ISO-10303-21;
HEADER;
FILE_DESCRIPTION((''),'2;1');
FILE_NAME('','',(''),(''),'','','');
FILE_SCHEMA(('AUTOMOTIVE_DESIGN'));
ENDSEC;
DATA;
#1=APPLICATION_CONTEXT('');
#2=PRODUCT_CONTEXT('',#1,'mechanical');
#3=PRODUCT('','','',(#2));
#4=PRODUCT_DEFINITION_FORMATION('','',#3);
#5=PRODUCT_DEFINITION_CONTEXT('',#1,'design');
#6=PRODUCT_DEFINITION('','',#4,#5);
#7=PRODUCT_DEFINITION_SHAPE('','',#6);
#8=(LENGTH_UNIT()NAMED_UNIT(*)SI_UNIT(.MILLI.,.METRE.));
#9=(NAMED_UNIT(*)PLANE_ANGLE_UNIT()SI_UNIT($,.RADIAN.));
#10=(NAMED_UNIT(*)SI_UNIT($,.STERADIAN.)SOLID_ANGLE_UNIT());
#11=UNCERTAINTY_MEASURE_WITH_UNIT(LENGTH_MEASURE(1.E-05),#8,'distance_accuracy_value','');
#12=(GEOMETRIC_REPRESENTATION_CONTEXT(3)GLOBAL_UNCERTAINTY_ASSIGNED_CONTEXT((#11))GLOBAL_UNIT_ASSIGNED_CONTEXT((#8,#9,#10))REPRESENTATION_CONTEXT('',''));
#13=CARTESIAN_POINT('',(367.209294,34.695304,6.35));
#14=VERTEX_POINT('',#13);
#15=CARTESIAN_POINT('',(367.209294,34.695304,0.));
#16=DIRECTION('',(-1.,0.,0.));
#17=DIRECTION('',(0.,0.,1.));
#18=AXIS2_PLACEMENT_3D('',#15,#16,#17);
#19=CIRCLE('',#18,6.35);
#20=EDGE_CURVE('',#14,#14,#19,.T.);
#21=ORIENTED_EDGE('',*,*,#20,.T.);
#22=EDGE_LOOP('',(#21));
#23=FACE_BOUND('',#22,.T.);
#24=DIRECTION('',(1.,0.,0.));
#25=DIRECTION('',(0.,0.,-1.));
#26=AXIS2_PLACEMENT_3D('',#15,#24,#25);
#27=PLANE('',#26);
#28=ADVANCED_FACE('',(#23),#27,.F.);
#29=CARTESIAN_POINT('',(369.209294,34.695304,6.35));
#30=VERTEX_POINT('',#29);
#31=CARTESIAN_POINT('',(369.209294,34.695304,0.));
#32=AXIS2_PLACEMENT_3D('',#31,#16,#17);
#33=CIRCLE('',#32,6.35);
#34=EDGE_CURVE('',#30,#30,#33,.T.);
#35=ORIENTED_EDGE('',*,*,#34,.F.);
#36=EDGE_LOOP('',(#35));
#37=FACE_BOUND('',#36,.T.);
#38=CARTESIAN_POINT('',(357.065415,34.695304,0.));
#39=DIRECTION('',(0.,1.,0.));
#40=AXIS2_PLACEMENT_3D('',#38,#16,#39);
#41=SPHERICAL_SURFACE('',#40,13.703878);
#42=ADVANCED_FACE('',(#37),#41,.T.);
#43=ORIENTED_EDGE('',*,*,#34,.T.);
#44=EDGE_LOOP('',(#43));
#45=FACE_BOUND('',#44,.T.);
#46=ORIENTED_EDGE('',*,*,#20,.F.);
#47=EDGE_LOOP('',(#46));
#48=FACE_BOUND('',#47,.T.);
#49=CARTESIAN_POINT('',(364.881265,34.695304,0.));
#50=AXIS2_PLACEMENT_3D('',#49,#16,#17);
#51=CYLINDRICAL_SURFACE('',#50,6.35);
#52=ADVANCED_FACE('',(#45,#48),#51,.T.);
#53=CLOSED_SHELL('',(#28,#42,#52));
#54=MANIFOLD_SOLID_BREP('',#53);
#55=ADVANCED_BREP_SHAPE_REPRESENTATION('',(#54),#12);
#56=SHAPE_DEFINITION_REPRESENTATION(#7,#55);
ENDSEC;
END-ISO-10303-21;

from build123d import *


with BuildPart() as part:
    # 草图1 → 旋转1 (revolve)
    with BuildSketch(Plane.XY):
        with BuildLine():
            Line((367.209293599, 34.69530443), (367.209293599, 41.04530443))
            Line((367.209293599, 41.04530443), (369.209293599, 41.04530443))
            ThreePointArc((369.209293599, 41.04530443), (370.373580289, 37.964711869), (370.769293599, 34.69530443))
            Line((370.769293599, 34.69530443), (367.209293599, 34.69530443))
        make_face()
    revolve(axis=Axis((364.881265109, 34.69530443, 0), (1, 0, 0)))


solid = part.part
